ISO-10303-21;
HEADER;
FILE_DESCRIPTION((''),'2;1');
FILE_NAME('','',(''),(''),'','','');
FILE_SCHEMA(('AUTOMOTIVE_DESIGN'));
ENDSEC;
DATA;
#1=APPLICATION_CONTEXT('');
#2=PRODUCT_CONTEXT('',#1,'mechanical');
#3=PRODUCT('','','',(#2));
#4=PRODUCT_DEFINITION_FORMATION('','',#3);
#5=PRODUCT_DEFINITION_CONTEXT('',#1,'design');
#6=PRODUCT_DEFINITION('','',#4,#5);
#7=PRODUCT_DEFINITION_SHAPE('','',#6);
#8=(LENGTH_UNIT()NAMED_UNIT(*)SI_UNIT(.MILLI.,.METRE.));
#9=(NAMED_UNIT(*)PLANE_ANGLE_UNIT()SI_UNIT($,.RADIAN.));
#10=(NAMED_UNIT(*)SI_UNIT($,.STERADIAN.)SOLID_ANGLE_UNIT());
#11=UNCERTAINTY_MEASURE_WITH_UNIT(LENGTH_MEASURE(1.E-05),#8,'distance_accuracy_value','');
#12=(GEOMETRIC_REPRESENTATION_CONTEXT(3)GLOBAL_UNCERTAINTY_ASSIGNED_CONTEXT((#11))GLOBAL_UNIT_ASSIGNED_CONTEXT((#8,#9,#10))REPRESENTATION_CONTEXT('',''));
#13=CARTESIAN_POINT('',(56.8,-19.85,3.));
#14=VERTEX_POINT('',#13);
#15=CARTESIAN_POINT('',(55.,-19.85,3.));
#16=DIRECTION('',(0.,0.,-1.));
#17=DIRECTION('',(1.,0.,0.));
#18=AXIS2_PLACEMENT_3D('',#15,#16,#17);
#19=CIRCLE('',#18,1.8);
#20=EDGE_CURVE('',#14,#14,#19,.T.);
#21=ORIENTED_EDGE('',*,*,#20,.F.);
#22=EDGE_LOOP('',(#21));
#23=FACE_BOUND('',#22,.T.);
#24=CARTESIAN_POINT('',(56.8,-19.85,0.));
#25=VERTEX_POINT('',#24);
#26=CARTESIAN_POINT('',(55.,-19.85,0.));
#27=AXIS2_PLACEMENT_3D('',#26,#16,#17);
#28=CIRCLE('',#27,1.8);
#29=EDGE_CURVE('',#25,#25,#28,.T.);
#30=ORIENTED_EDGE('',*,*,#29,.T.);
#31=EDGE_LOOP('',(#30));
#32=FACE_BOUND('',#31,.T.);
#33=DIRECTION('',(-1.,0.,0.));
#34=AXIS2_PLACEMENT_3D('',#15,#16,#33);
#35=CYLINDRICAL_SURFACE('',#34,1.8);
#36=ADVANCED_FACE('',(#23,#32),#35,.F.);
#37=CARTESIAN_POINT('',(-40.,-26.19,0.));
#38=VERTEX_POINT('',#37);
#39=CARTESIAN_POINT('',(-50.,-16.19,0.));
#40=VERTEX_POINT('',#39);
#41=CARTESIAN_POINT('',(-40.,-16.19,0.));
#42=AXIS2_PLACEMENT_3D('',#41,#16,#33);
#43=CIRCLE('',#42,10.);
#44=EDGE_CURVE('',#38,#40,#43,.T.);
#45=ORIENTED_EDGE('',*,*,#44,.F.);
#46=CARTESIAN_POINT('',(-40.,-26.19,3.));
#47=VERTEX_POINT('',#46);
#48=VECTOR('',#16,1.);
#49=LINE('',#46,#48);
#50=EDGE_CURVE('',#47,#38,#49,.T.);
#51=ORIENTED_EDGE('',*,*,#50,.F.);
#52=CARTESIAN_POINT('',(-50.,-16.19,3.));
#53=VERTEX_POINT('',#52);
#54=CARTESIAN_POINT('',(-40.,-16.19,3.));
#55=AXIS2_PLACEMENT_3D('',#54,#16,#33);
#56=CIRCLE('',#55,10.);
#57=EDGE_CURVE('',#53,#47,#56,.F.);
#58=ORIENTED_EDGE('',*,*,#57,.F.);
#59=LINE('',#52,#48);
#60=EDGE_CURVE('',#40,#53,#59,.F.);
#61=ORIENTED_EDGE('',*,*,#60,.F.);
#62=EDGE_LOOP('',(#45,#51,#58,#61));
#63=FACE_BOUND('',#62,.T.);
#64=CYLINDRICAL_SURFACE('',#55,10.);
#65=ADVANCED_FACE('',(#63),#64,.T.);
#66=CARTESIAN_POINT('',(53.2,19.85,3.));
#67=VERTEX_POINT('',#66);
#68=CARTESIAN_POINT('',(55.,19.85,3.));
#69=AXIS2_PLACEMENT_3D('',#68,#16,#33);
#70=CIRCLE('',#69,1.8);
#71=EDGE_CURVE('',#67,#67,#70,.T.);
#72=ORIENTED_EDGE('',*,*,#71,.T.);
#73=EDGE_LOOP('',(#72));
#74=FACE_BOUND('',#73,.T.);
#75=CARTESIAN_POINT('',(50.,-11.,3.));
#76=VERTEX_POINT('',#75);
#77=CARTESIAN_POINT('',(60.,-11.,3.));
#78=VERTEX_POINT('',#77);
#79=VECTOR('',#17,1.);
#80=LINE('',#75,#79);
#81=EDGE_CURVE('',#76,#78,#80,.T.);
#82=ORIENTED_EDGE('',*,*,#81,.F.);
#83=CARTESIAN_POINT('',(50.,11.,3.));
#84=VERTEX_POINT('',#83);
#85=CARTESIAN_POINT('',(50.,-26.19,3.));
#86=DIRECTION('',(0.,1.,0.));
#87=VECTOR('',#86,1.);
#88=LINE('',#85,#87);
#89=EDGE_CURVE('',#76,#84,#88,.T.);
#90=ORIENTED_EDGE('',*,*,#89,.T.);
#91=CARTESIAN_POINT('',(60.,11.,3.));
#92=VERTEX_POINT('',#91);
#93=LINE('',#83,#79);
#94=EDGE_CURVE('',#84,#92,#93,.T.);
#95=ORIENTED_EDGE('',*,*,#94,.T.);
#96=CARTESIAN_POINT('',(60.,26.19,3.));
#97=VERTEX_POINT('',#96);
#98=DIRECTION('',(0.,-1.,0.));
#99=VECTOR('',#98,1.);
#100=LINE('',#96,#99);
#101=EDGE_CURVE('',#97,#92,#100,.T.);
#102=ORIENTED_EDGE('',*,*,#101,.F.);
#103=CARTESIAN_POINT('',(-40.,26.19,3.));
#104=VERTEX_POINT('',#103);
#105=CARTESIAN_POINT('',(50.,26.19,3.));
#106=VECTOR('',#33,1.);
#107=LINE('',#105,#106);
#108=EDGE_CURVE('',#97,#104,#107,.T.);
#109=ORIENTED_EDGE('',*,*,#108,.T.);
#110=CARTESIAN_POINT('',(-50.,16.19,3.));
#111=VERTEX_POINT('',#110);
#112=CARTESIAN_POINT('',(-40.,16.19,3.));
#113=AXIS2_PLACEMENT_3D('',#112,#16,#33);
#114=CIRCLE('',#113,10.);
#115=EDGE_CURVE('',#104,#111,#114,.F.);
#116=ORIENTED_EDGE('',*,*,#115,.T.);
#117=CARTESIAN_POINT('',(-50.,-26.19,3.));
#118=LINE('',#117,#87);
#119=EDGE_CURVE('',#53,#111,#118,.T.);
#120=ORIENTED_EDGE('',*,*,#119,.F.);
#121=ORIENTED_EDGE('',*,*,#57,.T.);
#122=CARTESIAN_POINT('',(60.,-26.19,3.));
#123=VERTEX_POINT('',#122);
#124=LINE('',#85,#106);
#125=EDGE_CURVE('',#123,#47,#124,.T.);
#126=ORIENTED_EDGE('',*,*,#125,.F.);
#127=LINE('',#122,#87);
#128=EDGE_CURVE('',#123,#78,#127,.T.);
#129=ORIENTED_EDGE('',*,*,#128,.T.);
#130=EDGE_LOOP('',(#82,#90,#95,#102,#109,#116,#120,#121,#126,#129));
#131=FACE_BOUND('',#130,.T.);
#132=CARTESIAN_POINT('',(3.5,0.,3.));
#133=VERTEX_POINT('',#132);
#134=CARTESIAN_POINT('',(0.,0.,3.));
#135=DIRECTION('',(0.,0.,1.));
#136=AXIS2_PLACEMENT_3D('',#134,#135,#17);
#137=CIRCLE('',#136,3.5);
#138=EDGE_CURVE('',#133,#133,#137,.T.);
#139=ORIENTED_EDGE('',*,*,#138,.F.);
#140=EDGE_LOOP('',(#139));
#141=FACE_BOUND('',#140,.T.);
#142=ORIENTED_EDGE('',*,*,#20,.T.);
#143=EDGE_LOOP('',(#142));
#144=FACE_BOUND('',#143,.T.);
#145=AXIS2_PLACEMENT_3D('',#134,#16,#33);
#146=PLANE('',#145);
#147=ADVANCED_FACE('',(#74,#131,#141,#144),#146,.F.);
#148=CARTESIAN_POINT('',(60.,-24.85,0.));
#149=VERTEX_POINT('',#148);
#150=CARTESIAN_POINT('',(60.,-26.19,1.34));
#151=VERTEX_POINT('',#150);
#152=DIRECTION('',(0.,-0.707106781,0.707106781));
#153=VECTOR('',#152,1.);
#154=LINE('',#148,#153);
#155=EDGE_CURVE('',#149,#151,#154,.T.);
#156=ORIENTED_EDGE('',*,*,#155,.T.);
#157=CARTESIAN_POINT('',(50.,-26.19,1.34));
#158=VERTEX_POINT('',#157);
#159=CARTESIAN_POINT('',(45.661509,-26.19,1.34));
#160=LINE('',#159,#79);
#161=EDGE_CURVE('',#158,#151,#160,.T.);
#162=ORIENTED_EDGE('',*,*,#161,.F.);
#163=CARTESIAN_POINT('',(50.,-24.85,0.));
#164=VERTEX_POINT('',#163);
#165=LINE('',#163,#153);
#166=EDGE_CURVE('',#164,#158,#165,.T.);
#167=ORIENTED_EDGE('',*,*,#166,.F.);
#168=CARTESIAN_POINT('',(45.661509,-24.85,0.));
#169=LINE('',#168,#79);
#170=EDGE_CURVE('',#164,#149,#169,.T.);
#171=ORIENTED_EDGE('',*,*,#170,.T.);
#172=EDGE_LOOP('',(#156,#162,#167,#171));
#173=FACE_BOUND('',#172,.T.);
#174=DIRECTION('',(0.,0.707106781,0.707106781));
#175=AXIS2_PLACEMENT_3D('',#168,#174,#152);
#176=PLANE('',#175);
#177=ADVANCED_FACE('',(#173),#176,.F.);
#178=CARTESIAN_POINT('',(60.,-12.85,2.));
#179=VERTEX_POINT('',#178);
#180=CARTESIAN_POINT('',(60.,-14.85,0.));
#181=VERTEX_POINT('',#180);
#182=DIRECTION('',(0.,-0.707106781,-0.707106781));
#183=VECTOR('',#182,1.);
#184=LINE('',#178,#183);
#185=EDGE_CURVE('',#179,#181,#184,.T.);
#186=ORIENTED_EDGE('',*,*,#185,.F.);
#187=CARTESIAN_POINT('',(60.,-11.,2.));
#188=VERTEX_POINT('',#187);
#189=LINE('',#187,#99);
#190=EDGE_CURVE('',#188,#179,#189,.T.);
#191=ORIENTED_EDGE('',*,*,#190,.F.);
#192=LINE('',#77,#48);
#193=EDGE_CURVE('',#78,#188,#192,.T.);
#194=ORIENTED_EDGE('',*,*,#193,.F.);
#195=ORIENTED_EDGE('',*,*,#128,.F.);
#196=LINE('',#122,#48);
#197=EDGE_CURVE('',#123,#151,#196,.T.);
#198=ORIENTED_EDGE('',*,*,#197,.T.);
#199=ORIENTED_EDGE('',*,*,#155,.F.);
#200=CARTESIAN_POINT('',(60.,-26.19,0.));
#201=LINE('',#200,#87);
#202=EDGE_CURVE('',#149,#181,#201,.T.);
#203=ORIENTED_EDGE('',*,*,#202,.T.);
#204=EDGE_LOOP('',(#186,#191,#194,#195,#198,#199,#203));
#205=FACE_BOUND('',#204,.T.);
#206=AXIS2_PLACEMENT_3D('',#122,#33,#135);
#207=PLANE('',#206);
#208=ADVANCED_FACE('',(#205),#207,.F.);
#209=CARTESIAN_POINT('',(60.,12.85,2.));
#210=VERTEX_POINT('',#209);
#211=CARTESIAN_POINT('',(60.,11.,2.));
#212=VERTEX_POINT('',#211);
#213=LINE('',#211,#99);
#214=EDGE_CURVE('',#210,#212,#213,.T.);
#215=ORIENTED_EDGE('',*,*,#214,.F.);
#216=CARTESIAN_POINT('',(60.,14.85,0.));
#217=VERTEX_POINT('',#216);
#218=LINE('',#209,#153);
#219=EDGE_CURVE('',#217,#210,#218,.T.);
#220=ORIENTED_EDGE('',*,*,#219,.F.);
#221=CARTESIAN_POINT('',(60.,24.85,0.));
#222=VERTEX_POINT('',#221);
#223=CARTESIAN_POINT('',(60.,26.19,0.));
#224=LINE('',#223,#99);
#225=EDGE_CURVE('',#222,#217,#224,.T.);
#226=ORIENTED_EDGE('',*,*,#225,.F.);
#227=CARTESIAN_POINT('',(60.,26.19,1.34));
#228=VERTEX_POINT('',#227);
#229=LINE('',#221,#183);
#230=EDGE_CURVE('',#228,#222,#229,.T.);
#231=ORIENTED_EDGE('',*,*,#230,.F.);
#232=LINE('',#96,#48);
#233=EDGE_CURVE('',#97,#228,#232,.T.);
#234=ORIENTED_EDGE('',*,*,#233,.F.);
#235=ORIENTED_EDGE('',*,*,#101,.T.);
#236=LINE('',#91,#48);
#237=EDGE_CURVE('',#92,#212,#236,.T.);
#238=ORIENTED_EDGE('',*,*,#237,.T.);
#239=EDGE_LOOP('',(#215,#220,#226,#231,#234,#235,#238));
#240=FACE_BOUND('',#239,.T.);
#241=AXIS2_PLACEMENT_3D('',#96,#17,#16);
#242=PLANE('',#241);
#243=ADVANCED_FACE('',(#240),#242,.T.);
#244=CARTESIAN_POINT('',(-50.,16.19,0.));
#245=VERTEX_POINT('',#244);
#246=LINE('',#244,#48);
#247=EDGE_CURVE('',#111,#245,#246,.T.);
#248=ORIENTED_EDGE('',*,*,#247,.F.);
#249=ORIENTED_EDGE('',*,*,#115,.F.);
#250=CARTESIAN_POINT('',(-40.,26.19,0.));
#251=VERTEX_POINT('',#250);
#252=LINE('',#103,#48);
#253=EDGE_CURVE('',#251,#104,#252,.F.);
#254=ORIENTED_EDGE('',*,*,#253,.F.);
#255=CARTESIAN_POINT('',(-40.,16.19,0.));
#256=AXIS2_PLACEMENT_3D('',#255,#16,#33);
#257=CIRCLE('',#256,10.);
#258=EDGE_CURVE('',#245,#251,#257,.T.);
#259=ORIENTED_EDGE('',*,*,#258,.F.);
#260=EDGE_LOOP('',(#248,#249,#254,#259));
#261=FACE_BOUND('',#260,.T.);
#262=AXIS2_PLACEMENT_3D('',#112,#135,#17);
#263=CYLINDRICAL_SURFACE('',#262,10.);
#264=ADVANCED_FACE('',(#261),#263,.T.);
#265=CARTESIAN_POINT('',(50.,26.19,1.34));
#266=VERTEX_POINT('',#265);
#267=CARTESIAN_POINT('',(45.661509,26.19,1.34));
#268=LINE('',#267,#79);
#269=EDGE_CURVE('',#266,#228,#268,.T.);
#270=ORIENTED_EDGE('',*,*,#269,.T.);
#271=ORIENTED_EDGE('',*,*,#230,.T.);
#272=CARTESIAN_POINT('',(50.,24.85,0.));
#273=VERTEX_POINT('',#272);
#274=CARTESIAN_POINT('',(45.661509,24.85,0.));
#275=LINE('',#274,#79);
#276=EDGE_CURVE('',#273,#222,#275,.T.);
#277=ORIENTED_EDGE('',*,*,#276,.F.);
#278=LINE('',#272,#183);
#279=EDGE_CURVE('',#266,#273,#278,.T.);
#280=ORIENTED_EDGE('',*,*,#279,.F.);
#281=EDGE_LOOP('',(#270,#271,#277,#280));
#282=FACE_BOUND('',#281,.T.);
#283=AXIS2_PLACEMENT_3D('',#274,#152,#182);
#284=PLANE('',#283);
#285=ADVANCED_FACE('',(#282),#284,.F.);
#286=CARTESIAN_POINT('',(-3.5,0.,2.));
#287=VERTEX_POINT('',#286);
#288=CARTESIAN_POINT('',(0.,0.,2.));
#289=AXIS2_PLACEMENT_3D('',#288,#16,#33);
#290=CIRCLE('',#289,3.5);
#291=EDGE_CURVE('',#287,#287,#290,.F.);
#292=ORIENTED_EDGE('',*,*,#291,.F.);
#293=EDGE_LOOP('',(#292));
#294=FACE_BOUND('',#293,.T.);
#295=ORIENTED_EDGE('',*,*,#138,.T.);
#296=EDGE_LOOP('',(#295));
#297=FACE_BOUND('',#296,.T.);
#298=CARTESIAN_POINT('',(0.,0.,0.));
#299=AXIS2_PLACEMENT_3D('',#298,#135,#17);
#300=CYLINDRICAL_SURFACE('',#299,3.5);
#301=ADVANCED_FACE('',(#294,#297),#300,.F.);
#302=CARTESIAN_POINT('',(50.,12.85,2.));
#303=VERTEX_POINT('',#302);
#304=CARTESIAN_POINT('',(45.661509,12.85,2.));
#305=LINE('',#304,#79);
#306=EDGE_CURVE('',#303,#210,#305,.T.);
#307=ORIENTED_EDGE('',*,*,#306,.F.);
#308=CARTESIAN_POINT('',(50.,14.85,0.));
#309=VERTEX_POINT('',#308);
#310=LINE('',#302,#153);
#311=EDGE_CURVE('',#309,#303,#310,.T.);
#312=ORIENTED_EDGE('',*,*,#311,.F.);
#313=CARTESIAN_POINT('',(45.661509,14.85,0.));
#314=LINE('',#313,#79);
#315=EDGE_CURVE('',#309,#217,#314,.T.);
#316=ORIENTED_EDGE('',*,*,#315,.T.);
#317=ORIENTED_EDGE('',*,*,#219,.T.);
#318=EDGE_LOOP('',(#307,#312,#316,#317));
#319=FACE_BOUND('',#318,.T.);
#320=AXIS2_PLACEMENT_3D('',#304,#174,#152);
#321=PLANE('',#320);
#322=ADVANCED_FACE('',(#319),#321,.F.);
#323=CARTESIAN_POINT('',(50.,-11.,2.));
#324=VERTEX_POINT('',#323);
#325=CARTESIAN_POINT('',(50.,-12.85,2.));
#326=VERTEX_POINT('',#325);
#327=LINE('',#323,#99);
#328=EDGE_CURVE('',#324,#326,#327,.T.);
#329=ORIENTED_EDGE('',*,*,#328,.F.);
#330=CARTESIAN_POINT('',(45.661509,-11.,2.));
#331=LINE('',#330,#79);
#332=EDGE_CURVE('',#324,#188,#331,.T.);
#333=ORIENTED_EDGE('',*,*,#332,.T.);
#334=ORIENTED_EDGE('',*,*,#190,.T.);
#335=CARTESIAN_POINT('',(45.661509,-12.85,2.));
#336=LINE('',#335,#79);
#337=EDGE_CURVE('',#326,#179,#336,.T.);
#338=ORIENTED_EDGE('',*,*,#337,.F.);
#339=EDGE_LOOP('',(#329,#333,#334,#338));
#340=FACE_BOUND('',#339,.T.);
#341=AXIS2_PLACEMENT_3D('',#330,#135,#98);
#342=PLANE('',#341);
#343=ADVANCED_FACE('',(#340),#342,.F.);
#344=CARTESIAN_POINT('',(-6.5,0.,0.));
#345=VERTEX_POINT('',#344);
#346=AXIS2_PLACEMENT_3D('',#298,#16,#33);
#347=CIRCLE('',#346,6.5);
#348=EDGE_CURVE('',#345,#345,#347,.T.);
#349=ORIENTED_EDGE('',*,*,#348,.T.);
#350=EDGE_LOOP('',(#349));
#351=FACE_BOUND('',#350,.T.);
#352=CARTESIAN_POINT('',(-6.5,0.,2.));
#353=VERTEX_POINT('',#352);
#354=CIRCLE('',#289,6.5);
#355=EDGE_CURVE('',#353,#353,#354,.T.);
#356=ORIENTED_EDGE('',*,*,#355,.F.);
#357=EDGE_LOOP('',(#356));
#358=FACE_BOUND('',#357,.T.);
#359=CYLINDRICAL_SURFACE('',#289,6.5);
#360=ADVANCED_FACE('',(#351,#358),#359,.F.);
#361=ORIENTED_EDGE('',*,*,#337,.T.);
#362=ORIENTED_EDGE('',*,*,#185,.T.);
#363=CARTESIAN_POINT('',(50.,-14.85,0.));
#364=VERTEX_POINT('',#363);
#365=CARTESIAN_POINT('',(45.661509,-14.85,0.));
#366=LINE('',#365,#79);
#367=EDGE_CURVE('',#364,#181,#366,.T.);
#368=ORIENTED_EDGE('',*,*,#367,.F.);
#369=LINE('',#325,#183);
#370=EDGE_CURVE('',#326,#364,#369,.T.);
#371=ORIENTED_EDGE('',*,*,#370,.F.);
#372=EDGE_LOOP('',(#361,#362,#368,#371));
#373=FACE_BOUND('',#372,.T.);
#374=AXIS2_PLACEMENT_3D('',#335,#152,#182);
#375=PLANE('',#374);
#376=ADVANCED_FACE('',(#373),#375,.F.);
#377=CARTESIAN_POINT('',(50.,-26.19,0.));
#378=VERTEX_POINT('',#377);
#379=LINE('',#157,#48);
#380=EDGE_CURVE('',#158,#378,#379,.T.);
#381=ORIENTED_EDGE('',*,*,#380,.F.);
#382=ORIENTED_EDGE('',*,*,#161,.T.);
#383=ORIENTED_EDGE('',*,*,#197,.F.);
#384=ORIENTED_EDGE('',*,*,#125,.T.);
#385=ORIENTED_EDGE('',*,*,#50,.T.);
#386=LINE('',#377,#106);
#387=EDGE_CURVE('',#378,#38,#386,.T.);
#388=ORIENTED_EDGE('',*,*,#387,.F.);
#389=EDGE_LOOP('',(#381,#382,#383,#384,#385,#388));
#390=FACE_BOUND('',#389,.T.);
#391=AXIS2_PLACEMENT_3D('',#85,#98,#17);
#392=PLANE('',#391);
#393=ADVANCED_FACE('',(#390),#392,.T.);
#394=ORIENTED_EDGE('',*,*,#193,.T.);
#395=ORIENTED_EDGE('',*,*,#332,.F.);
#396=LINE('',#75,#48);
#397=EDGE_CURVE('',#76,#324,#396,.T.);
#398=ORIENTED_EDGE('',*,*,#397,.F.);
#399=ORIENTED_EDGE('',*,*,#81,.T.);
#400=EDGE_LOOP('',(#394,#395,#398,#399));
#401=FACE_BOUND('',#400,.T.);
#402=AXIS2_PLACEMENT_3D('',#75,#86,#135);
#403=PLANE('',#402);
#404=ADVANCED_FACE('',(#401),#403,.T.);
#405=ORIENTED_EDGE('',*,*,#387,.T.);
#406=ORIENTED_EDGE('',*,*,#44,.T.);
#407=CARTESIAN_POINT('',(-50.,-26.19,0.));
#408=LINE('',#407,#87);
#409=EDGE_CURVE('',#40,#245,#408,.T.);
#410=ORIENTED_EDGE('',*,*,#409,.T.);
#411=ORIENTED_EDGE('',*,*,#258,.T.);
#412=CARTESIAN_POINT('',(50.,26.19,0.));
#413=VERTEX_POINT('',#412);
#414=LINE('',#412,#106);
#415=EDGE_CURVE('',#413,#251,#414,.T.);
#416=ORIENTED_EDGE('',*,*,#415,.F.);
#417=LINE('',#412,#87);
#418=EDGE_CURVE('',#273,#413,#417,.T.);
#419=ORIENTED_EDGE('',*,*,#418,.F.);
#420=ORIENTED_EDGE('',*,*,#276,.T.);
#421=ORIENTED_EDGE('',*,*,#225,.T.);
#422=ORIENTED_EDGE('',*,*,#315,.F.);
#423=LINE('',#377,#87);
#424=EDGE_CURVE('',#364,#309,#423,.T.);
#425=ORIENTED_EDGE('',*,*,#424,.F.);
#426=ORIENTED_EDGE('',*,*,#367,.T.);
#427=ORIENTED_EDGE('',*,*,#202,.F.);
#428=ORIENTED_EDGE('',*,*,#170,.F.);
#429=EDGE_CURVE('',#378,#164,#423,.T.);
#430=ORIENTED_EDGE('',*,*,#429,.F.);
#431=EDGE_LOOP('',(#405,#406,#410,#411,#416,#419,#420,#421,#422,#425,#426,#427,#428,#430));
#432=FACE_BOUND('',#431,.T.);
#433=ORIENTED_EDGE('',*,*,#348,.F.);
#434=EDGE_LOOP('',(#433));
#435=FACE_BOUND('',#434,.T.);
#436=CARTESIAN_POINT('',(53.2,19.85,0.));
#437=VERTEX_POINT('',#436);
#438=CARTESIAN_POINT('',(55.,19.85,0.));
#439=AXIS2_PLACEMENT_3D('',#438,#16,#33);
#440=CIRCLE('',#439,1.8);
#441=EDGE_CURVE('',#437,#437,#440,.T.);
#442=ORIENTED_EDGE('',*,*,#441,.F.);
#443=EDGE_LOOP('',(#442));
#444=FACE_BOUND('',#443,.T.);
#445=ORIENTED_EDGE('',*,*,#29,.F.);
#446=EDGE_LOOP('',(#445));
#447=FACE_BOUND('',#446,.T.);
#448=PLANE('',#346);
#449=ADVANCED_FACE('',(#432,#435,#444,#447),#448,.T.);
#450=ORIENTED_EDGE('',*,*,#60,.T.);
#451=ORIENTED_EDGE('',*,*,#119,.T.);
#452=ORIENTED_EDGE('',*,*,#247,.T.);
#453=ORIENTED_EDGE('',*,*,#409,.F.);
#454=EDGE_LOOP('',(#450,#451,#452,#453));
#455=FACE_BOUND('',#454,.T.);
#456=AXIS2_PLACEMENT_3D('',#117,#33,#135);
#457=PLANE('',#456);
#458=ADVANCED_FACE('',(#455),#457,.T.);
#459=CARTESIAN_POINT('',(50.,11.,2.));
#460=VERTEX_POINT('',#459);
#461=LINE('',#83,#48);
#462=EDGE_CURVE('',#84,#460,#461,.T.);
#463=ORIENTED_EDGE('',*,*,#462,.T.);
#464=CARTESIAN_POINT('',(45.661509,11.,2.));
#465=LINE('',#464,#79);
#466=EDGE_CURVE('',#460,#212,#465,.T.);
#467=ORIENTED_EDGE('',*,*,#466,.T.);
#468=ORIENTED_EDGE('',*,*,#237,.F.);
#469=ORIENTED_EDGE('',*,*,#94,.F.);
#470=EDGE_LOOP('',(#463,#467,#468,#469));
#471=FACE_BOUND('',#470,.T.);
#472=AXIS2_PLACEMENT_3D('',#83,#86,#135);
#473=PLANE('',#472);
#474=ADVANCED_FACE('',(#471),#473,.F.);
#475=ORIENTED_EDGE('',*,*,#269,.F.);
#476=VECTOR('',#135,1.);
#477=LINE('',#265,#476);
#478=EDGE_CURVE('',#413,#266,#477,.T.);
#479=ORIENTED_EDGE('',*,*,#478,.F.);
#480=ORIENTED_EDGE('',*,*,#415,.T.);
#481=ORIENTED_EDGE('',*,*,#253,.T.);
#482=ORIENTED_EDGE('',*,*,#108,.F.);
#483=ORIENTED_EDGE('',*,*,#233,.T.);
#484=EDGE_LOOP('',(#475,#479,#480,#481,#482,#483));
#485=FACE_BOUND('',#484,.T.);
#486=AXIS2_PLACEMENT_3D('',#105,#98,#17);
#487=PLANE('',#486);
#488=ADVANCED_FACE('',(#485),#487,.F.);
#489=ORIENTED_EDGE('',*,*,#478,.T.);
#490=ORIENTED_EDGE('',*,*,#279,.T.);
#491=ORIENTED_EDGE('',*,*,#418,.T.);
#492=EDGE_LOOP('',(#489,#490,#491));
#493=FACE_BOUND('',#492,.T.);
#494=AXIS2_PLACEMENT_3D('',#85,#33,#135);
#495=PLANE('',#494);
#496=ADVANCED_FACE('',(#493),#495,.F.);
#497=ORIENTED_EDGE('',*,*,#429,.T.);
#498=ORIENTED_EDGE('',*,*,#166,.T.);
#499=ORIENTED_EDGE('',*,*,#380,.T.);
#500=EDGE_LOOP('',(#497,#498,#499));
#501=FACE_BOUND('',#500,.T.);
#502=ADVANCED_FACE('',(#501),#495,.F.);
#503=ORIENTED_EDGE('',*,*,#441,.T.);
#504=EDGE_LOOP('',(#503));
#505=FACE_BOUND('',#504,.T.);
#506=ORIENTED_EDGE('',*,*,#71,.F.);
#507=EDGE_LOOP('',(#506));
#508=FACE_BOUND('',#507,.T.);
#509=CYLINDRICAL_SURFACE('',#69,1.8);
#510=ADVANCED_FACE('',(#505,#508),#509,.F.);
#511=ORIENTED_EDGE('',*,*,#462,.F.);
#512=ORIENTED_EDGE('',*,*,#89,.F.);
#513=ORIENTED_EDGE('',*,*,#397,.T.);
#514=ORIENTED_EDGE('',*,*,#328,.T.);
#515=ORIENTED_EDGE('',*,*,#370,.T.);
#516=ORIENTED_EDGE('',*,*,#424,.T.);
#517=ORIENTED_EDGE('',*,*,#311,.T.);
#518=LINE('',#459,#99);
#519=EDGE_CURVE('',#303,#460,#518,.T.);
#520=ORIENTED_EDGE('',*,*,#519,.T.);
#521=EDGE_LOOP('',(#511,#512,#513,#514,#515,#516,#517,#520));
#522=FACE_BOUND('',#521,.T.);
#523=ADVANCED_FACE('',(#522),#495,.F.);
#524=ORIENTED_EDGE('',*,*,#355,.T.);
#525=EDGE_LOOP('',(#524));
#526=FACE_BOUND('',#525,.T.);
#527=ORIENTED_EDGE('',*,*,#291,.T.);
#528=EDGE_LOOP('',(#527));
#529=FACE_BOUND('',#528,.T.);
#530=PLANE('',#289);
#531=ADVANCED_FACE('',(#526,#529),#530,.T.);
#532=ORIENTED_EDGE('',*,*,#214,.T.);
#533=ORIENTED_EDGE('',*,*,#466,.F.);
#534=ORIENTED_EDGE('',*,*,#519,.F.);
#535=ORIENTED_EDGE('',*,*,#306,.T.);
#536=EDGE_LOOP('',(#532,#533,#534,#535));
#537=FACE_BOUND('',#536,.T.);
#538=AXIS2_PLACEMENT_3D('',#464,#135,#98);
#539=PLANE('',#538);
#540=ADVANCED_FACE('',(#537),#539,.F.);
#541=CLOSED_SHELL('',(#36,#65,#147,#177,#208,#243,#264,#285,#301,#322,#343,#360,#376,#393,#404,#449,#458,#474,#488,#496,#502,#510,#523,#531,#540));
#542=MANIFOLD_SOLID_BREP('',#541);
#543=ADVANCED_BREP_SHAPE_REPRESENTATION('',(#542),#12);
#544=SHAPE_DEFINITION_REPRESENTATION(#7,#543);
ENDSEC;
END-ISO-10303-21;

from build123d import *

# Parameters (mm, degrees)
ESBO_O1_W                = 10
ESBO_O1_H                = 15.19
RESSALTO_EXTRUS_O1_DEPTH = 3
CORTE_EXTRUS_O1_DEPTH    = 10
ESBO_O3_R                = 1.8
CORTE_EXTRUS_O2_DEPTH    = 66.535609404
ESBO_O4_R                = 3.5
CORTE_EXTRUS_O3_DEPTH    = 66.535609404
ESBO_O5_R                = 6.5
CORTE_EXTRUS_O4_DEPTH    = 2
FILETE1_R                = 10


with BuildPart() as part:
    # Esboço1 → Ressalto-extrusão1 (new body)
    with BuildSketch(Plane.XY):
        Polygon((-50, -26.19), (50, -26.19), (50, -11), (50, 11), (50, 26.19), (-50, 26.19), align=None)
        with Locations((55, -18.595)):
            Rectangle(ESBO_O1_W, ESBO_O1_H)
        with Locations((55, 18.595)):
            Rectangle(ESBO_O1_W, ESBO_O1_H)
    extrude(amount=RESSALTO_EXTRUS_O1_DEPTH)

    # Esboço2 → Corte-extrusão1 (cut)
    with BuildSketch(Plane(origin=(60, 0, 0), x_dir=(0, 0, -1), z_dir=(1, 0, 0))):
        Polygon((-2, -11), (-2, -12.85), (0, -14.85), (0, -11), align=None)
        Polygon((0, -24.85), (-1.34, -26.19), (0, -26.19), align=None)
        Polygon((0, 11), (0, 14.85), (-2, 12.85), (-2, 11), align=None)
        Polygon((0, 26.19), (0, 24.85), (-1.34, 26.19), align=None)
    extrude(amount=-CORTE_EXTRUS_O1_DEPTH, mode=Mode.SUBTRACT)

    # Esboço3 → Corte-extrusão2 (cut, through all)
    with BuildSketch(Plane(origin=(0, 0, 0), x_dir=(-1, 0, 0), z_dir=(0, 0, -1))):
        with Locations((-55, 19.85)):
            Circle(ESBO_O3_R)
        with Locations(Location((-55, -19.85, 0), (0, 0, 180))):
            Circle(ESBO_O3_R)
    extrude(amount=-CORTE_EXTRUS_O2_DEPTH, mode=Mode.SUBTRACT)

    # Esboço4 → Corte-extrusão3 (cut, through all)
    with BuildSketch(Plane.XY.offset(3)):
        Circle(ESBO_O4_R)
    extrude(amount=-CORTE_EXTRUS_O3_DEPTH, mode=Mode.SUBTRACT)

    # Esboço5 → Corte-extrusão4 (cut)
    with BuildSketch(Plane(origin=(0, 0, 0), x_dir=(-1, 0, 0), z_dir=(0, 0, -1))):
        Circle(ESBO_O5_R)
    extrude(amount=-CORTE_EXTRUS_O4_DEPTH, mode=Mode.SUBTRACT)

    # Filete1
    filete1_edges = [part.edges().sort_by_distance(p)[0] for p in [
        (-50, -26.19, 1.5),
        (-50, 26.19, 1.5),
    ]]
    fillet(filete1_edges, radius=FILETE1_R)


solid = part.part
